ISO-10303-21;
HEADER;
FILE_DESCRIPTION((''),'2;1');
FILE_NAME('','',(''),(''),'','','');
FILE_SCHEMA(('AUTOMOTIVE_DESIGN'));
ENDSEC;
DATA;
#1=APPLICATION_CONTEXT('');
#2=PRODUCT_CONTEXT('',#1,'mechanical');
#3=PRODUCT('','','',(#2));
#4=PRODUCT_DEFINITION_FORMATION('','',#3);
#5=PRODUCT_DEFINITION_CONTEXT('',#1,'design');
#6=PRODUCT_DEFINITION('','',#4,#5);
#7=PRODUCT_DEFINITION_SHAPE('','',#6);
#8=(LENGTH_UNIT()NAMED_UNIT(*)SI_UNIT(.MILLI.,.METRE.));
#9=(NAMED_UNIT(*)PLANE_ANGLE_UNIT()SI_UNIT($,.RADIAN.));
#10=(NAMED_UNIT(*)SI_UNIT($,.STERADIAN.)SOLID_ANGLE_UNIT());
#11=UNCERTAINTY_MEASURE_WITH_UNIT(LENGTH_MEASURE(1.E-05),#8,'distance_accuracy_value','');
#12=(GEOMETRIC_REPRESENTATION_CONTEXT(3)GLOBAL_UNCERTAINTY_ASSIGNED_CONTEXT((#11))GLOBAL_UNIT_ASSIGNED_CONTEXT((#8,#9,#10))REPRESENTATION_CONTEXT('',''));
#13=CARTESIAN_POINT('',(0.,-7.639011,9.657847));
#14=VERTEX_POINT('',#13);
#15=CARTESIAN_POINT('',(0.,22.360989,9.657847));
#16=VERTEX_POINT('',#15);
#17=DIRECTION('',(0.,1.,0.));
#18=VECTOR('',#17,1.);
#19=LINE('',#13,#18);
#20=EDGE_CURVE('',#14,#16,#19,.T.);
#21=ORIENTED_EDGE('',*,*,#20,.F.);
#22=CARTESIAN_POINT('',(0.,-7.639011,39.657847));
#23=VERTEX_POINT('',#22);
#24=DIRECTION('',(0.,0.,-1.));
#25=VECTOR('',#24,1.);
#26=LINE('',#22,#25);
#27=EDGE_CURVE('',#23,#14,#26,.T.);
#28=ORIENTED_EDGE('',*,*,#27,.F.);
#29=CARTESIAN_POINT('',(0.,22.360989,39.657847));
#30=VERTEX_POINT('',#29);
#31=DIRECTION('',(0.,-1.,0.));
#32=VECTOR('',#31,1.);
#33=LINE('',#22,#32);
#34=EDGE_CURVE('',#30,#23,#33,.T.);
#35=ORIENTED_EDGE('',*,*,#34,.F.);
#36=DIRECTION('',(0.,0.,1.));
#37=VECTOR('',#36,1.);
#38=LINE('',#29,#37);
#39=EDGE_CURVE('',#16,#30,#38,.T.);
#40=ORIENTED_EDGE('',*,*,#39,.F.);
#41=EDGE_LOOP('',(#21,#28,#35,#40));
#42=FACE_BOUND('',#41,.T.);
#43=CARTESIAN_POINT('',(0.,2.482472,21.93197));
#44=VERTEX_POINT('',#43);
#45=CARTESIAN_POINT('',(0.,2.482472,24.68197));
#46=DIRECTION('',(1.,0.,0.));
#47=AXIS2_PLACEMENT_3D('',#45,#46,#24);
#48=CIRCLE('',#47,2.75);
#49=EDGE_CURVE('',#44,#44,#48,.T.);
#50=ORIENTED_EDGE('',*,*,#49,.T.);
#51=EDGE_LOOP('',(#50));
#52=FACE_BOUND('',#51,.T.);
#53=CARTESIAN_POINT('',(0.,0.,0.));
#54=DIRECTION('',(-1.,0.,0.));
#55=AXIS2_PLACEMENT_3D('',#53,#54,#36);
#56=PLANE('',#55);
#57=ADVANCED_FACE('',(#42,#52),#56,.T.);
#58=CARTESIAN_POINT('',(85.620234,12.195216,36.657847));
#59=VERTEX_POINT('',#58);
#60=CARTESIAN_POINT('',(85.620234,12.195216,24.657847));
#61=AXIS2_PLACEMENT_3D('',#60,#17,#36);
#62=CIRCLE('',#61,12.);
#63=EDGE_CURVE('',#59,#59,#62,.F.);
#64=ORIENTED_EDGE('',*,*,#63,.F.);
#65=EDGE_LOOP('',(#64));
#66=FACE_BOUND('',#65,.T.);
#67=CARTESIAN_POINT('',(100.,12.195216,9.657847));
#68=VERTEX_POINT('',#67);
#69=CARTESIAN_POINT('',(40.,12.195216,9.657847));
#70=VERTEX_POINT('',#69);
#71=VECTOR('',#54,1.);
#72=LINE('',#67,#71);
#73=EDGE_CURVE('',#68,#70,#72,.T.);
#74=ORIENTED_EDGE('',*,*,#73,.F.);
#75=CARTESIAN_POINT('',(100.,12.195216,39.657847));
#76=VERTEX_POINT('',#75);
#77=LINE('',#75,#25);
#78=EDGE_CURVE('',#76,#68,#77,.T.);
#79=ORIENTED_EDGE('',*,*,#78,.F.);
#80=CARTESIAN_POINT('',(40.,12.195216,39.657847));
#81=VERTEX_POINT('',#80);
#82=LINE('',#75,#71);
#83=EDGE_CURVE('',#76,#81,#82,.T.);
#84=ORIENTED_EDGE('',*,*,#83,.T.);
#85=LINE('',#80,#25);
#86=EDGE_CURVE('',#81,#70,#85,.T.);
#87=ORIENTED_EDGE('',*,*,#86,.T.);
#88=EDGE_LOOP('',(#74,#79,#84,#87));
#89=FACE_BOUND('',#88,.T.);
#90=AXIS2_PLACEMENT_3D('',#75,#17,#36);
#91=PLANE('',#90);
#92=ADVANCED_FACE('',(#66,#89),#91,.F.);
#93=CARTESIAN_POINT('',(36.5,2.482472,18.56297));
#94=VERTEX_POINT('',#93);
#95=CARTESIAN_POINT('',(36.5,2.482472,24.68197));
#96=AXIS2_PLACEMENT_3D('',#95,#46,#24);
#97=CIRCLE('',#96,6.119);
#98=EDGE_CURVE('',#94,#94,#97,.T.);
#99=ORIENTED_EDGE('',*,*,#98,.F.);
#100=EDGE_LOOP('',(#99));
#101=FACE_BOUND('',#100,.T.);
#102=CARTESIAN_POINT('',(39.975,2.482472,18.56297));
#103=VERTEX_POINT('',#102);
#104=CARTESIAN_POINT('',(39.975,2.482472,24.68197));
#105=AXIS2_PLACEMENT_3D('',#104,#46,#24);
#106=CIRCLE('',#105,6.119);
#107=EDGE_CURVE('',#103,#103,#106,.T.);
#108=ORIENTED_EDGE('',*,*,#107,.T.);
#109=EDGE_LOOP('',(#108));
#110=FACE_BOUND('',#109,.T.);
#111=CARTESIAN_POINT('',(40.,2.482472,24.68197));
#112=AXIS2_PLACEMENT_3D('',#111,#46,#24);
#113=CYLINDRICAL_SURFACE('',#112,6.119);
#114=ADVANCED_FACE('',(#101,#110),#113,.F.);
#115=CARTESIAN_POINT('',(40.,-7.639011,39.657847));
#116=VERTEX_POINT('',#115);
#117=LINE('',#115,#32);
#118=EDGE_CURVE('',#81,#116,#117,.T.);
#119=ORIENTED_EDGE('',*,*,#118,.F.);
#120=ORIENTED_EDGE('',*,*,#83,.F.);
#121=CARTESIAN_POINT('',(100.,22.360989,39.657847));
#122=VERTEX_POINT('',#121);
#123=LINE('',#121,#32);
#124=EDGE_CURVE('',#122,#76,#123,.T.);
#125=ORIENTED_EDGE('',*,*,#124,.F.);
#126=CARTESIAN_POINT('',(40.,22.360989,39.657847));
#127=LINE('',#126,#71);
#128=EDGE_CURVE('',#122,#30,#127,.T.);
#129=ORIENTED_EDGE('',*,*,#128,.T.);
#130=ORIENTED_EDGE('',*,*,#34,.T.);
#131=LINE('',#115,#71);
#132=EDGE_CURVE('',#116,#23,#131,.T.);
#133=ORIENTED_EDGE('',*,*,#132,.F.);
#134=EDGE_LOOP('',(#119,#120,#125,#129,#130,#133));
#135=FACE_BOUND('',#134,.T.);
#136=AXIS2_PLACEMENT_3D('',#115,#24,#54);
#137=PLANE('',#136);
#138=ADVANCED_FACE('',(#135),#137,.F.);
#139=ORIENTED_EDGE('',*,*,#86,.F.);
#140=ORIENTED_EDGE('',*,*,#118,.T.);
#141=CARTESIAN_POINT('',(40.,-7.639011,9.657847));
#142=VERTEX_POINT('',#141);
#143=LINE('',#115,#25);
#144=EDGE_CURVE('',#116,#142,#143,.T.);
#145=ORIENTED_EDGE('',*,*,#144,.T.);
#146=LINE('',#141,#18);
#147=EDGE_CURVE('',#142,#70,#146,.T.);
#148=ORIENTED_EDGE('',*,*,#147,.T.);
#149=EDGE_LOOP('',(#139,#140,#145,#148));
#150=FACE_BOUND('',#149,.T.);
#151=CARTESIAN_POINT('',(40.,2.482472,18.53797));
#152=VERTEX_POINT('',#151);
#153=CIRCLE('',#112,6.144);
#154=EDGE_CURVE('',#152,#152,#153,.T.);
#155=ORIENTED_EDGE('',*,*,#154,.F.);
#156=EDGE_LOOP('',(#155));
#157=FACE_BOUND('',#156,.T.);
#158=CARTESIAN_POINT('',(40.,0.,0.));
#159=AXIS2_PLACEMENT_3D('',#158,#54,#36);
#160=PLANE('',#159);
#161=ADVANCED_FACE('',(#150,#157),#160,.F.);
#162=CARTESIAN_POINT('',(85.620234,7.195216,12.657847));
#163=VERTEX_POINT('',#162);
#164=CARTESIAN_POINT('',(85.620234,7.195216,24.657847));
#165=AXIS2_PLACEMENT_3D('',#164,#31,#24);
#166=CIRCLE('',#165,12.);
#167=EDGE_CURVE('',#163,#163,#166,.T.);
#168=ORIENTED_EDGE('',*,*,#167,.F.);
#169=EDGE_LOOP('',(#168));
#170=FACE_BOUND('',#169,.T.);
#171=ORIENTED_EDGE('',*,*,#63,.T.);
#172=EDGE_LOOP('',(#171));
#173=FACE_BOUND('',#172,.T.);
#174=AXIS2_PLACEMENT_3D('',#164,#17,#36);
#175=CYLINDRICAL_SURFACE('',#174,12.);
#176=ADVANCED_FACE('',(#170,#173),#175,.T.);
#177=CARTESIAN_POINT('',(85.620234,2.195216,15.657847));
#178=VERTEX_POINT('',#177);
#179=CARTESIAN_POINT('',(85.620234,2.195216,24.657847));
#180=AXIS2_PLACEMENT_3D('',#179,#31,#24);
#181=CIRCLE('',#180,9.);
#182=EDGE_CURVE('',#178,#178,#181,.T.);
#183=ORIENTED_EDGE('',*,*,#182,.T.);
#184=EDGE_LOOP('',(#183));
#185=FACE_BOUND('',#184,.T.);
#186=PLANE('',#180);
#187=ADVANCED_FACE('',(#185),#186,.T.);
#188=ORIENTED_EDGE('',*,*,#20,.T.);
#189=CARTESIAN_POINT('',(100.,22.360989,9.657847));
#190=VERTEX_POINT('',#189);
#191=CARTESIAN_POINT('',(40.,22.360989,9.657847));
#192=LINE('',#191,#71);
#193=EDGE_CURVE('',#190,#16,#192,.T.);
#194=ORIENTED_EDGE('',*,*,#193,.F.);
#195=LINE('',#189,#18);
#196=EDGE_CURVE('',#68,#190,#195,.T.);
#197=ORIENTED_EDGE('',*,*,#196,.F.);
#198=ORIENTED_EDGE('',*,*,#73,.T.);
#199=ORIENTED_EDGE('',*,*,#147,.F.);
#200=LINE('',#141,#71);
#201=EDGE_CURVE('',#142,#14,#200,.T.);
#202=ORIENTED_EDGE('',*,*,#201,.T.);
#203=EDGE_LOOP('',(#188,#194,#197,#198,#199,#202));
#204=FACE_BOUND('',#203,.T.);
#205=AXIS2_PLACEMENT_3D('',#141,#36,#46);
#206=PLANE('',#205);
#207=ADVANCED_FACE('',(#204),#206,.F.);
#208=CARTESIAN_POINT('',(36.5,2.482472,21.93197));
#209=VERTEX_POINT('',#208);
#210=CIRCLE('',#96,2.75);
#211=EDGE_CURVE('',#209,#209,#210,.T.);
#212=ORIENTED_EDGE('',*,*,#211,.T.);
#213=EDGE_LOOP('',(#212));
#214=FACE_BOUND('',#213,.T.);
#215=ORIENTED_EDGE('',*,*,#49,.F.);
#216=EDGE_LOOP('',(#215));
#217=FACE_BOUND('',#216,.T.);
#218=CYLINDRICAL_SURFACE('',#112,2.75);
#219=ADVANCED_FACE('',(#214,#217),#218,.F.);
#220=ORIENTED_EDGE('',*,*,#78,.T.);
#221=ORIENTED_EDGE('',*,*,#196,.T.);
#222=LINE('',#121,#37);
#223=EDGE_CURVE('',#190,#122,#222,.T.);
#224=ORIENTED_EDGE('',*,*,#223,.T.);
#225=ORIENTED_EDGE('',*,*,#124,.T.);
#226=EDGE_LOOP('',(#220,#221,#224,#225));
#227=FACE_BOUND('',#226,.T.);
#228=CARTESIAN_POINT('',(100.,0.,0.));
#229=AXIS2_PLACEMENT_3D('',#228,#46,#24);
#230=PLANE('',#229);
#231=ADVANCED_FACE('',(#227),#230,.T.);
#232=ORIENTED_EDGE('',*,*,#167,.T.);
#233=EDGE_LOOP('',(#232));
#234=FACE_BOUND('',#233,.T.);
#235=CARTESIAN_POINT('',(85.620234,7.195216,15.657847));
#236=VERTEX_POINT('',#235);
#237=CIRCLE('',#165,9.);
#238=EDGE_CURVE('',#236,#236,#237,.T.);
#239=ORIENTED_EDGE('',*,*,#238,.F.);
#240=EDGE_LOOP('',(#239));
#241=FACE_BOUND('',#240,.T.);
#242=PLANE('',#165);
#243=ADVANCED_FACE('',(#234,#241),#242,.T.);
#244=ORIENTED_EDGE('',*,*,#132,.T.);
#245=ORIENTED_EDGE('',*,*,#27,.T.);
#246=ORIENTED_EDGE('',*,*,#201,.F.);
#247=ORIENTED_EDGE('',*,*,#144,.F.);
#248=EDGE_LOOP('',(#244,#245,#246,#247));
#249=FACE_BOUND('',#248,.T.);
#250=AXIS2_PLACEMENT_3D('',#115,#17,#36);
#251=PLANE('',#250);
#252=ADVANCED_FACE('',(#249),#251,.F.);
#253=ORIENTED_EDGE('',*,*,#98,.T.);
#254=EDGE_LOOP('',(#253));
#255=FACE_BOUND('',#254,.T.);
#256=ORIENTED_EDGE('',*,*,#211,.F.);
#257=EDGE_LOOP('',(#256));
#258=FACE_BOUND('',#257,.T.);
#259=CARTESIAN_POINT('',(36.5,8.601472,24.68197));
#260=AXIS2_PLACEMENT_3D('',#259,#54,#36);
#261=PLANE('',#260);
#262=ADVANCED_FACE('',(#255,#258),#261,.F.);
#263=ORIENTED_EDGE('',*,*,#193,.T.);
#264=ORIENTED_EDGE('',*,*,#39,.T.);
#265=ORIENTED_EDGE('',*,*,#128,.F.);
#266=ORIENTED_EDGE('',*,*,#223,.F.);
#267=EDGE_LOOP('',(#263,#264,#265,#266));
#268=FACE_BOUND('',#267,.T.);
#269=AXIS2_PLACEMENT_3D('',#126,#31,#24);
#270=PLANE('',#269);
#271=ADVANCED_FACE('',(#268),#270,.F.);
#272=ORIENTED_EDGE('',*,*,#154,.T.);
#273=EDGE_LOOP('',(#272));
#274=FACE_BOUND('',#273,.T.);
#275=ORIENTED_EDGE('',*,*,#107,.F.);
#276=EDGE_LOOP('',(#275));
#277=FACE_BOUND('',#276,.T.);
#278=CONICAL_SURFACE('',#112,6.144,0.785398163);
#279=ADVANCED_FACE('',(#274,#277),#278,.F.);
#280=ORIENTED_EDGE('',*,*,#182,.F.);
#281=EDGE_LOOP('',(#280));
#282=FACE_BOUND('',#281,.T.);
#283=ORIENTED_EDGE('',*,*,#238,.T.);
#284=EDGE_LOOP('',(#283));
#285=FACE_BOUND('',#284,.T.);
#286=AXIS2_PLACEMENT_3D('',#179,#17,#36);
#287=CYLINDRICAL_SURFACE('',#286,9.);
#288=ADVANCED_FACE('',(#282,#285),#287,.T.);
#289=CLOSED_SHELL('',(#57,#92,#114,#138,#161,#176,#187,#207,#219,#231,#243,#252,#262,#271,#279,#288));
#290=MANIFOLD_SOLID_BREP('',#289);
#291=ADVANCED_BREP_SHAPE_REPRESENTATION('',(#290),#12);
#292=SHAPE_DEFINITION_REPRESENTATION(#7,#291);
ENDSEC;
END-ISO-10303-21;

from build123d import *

# Parameters (mm, degrees)
SKETCH_1_W      = 30
SKETCH_1_H      = 30
EXTRUDE_1_DEPTH = 40
SKETCH_2_W      = 30
SKETCH_2_H      = 10.165772452
EXTRUDE_2_DEPTH = 60
SKETCH_3_R      = 12
EXTRUDE_3_DEPTH = 5
SKETCH_4_R      = 9
EXTRUDE_4_DEPTH = 5


with BuildPart() as part:
    # Эскиз1 → Бобышка-Вытянуть1 (new body)
    with BuildSketch(Plane(origin=(0, 0, 0), x_dir=(0, 0, -1), z_dir=(1, 0, 0))):
        with Locations((-24.657846844, 7.360988518)):
            Rectangle(SKETCH_1_W, SKETCH_1_H)
    extrude(amount=EXTRUDE_1_DEPTH)

    # Эскиз2 → Бобышка-Вытянуть2 (add)
    with BuildSketch(Plane(origin=(40, 0, 0), x_dir=(0, 0, -1), z_dir=(1, 0, 0))):
        with Locations((-24.657846844, 17.278102292)):
            Rectangle(SKETCH_2_W, SKETCH_2_H)
    extrude(amount=EXTRUDE_2_DEPTH)

    # Эскиз3 → Бобышка-Вытянуть3 (add)
    with BuildSketch(Plane.XZ.offset(-12.195216066)):
        with Locations(Location((85.620234383, 24.657846844, 0), (0, 0, 90))):
            Circle(SKETCH_3_R)
    extrude(amount=EXTRUDE_3_DEPTH)

    # Эскиз4 → Бобышка-Вытянуть4 (add)
    with BuildSketch(Plane.XZ.offset(-7.195216066)):
        with Locations(Location((85.620234383, 24.657846844, 0), (0, 0, 270))):
            Circle(SKETCH_4_R)
    extrude(amount=EXTRUDE_4_DEPTH)

    # Эскиз13 → Цековка для  болта с шестигранной головкой M51 (revolve, cut)
    with BuildSketch(Plane(origin=(40, 2.482471753, 24.681970174), x_dir=(0, 0, -1), z_dir=(0, 1, 0))):
        Polygon((0, 0), (0, 40), (2.75, 40), (2.75, 3.5), (6.119, 3.5), (6.119, 0.025), (6.144, 0), align=None)
    revolve(axis=Axis((46.35, 2.482471753, 24.681970174), (-1, 0, 0)), mode=Mode.SUBTRACT)


solid = part.part
